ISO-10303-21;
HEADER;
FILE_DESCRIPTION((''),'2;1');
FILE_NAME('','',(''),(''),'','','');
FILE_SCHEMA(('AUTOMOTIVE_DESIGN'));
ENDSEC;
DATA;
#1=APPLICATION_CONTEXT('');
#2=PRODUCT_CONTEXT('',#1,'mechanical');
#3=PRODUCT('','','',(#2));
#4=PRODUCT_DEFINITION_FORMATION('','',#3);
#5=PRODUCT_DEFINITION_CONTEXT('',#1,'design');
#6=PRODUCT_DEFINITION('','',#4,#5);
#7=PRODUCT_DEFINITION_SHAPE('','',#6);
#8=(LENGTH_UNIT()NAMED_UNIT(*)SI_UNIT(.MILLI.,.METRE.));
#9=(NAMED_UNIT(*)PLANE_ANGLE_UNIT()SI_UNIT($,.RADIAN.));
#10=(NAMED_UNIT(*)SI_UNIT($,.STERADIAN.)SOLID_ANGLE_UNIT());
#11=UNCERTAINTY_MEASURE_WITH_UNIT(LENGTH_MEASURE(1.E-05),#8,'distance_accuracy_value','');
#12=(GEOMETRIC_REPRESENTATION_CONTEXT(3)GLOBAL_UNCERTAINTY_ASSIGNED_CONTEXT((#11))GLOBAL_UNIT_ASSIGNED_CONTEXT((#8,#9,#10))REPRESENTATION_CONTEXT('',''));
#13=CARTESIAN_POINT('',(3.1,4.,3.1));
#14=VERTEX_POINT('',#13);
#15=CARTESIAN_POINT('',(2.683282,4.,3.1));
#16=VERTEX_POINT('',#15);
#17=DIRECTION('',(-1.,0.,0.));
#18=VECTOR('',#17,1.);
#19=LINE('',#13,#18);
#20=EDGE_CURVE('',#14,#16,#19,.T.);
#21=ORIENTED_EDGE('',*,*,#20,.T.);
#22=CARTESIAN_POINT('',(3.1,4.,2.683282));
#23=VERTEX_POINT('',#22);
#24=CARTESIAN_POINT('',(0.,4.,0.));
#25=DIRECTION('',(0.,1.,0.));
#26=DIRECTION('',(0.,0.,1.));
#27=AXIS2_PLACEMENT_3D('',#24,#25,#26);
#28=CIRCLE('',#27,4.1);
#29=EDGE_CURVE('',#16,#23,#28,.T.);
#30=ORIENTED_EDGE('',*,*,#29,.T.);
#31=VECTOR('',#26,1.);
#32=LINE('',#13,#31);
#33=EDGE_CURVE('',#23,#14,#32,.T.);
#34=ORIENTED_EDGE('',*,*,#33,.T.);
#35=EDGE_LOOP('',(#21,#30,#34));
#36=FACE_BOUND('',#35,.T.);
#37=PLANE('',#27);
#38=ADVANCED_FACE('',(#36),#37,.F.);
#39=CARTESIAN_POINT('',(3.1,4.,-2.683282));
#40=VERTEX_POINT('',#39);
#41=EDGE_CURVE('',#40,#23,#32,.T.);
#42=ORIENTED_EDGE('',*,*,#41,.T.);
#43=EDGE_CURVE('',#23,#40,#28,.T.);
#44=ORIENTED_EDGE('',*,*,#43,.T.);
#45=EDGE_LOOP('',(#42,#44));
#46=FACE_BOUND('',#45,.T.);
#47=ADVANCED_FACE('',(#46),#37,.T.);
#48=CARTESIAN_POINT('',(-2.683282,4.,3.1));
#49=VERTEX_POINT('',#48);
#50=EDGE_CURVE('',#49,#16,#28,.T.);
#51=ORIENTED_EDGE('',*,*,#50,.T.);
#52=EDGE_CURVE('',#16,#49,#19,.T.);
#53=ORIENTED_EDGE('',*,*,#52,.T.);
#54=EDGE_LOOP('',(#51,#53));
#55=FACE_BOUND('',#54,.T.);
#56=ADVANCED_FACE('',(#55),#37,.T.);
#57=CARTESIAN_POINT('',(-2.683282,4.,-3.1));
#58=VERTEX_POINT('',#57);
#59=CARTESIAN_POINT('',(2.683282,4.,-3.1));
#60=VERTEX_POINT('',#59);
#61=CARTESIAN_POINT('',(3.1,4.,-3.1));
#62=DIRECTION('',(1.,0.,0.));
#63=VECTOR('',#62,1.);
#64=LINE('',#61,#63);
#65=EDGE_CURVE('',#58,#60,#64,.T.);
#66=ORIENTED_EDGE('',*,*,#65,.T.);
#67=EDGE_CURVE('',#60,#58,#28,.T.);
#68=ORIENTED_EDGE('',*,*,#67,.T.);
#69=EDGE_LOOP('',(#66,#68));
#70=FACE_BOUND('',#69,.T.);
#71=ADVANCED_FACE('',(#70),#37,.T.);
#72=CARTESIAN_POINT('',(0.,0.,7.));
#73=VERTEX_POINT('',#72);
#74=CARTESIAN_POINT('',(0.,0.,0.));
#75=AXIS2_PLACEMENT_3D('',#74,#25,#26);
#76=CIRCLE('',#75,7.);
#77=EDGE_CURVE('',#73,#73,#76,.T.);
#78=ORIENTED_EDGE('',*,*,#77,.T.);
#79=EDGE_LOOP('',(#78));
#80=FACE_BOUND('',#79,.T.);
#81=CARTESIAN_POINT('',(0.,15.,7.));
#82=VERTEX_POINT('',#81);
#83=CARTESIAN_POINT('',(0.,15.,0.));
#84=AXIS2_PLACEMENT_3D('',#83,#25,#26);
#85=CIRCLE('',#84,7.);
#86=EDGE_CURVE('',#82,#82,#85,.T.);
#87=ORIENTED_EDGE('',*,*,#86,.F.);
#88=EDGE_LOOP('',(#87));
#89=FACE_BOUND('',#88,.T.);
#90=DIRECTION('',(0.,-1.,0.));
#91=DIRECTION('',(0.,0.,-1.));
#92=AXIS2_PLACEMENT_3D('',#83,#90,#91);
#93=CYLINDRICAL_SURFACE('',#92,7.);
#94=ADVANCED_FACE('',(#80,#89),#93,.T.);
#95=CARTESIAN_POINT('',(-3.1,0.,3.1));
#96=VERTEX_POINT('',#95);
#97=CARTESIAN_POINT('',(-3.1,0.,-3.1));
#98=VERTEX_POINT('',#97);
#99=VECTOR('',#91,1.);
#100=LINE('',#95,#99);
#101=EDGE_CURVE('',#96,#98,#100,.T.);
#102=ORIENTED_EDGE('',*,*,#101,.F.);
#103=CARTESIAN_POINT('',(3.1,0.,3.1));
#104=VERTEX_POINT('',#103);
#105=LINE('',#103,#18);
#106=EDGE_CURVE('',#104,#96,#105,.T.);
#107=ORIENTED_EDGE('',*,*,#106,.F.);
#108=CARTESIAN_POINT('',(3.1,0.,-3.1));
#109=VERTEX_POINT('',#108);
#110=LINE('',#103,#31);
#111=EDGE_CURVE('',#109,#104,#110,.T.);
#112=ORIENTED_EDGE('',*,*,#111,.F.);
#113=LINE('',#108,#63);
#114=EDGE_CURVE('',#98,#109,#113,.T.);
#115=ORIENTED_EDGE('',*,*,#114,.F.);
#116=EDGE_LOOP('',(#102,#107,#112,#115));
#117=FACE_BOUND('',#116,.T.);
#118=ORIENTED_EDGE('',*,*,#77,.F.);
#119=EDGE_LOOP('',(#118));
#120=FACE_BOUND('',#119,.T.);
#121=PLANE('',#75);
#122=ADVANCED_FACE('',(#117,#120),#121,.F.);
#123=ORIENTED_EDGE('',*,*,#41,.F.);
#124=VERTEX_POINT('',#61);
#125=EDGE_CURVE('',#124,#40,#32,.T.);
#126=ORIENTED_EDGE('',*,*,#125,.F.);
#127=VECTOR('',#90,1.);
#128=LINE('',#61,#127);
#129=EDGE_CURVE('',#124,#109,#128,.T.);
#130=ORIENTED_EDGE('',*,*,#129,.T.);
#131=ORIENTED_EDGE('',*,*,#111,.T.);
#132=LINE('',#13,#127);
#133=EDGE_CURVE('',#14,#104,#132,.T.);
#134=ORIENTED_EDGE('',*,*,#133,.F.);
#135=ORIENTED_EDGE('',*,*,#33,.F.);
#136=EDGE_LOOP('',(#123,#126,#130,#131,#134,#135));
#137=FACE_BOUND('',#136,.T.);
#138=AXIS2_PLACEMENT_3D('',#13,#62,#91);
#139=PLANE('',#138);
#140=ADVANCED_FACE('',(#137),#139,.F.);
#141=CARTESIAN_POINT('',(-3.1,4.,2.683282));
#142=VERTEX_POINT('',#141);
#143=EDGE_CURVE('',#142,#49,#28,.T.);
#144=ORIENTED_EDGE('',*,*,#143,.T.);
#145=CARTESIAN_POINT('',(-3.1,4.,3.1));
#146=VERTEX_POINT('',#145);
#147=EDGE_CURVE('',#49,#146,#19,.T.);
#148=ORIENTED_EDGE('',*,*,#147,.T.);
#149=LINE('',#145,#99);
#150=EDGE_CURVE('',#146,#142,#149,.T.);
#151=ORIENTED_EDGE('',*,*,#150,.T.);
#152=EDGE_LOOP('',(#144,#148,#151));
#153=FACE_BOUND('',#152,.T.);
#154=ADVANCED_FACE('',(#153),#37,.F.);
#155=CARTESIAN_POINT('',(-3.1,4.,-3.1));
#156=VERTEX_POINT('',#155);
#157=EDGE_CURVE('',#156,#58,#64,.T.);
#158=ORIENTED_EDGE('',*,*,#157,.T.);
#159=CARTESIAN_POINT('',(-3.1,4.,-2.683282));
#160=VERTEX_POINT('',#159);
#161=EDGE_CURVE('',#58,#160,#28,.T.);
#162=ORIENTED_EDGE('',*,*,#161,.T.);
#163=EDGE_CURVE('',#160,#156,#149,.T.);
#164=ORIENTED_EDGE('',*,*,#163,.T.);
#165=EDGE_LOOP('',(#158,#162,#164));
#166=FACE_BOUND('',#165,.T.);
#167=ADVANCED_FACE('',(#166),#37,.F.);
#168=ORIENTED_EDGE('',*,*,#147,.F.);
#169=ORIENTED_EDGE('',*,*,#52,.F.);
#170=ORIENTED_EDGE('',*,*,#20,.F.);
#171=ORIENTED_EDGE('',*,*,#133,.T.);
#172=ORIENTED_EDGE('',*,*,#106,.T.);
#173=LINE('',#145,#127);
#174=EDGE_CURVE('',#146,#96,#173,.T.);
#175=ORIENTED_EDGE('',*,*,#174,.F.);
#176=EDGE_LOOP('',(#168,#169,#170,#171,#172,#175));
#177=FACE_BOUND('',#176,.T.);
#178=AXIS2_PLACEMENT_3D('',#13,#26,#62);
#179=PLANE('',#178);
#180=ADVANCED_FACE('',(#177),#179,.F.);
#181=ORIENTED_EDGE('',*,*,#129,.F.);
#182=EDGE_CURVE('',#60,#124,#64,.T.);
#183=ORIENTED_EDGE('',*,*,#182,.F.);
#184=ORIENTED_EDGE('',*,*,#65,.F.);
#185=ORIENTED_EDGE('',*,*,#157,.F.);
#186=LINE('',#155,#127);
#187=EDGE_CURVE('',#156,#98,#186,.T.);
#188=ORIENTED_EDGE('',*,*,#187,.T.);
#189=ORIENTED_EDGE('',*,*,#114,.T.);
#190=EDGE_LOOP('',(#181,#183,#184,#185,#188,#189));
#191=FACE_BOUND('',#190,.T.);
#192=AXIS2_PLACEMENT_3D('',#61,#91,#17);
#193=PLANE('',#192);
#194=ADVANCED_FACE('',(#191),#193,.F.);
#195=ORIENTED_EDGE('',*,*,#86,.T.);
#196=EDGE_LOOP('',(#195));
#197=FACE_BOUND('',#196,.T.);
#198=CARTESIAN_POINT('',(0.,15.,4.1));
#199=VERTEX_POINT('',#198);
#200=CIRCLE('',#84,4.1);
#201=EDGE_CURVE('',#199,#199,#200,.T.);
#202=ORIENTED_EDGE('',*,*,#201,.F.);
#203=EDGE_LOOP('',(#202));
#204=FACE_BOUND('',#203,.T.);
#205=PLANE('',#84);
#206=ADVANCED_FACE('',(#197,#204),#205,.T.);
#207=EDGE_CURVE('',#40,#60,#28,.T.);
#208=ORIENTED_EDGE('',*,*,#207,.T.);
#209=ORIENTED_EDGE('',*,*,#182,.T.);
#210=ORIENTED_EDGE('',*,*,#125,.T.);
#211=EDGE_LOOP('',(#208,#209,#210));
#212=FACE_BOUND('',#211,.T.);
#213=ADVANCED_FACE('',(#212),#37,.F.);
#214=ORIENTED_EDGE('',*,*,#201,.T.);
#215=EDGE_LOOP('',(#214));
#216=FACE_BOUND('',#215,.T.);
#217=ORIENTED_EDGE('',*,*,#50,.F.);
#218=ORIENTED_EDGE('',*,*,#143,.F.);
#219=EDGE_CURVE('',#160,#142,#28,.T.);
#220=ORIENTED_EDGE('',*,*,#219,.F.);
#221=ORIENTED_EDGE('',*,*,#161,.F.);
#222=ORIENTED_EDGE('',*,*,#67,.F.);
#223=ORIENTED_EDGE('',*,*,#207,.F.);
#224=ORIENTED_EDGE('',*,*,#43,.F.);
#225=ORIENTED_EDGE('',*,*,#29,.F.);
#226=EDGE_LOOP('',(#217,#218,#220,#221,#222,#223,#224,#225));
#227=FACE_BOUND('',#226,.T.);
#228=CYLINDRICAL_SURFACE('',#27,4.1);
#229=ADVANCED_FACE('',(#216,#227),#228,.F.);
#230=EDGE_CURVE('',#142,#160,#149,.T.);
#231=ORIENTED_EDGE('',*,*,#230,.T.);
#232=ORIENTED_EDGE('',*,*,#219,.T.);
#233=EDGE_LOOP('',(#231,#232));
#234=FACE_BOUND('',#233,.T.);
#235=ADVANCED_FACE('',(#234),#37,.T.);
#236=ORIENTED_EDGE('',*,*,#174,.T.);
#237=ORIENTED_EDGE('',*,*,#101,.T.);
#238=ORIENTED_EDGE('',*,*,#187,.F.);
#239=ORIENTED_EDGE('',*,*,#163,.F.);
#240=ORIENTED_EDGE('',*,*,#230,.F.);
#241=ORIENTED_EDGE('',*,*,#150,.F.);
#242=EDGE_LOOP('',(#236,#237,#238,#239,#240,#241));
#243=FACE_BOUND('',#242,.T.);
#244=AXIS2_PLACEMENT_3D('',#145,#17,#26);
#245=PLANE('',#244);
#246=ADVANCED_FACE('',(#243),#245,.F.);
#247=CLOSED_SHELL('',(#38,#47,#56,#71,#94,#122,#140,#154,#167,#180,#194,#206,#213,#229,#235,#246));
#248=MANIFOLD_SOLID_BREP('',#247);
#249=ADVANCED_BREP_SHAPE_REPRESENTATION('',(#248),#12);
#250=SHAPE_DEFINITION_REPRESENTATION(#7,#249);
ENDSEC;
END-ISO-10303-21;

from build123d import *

# Parameters (mm, degrees)
SKETCH1_R           = 7
BOSS_EXTRUDE3_DEPTH = 15
SKETCH4_R           = 4.1
CUT_EXTRUDE1_DEPTH  = 11
SKETCH5_W           = 6.2
SKETCH5_H           = 6.2
CUT_EXTRUDE2_DEPTH  = 4


with BuildPart() as part:
    # Sketch1 → Boss-Extrude3 (new body)
    with BuildSketch(Plane(origin=(0, 0, 0), x_dir=(1, 0, 0), z_dir=(0, 1, 0))):
        with Locations(Location((0, 0, 0), (0, 0, 270))):  # turned: the seam where the file's is
            Circle(SKETCH1_R)
    extrude(amount=BOSS_EXTRUDE3_DEPTH)

    # Sketch4 → Cut-Extrude1 (cut)
    with BuildSketch(Plane(origin=(0, 15, 0), x_dir=(1, 0, 0), z_dir=(0, 1, 0))):
        with Locations(Location((0, 0, 0), (0, 0, 270))):  # turned: the seam where the file's is
            Circle(SKETCH4_R)
    extrude(amount=-CUT_EXTRUDE1_DEPTH, mode=Mode.SUBTRACT)

    # Sketch5 → Cut-Extrude2 (cut)
    with BuildSketch(Plane.XZ):
        Rectangle(SKETCH5_W, SKETCH5_H)
    extrude(amount=-CUT_EXTRUDE2_DEPTH, mode=Mode.SUBTRACT)


solid = part.part
